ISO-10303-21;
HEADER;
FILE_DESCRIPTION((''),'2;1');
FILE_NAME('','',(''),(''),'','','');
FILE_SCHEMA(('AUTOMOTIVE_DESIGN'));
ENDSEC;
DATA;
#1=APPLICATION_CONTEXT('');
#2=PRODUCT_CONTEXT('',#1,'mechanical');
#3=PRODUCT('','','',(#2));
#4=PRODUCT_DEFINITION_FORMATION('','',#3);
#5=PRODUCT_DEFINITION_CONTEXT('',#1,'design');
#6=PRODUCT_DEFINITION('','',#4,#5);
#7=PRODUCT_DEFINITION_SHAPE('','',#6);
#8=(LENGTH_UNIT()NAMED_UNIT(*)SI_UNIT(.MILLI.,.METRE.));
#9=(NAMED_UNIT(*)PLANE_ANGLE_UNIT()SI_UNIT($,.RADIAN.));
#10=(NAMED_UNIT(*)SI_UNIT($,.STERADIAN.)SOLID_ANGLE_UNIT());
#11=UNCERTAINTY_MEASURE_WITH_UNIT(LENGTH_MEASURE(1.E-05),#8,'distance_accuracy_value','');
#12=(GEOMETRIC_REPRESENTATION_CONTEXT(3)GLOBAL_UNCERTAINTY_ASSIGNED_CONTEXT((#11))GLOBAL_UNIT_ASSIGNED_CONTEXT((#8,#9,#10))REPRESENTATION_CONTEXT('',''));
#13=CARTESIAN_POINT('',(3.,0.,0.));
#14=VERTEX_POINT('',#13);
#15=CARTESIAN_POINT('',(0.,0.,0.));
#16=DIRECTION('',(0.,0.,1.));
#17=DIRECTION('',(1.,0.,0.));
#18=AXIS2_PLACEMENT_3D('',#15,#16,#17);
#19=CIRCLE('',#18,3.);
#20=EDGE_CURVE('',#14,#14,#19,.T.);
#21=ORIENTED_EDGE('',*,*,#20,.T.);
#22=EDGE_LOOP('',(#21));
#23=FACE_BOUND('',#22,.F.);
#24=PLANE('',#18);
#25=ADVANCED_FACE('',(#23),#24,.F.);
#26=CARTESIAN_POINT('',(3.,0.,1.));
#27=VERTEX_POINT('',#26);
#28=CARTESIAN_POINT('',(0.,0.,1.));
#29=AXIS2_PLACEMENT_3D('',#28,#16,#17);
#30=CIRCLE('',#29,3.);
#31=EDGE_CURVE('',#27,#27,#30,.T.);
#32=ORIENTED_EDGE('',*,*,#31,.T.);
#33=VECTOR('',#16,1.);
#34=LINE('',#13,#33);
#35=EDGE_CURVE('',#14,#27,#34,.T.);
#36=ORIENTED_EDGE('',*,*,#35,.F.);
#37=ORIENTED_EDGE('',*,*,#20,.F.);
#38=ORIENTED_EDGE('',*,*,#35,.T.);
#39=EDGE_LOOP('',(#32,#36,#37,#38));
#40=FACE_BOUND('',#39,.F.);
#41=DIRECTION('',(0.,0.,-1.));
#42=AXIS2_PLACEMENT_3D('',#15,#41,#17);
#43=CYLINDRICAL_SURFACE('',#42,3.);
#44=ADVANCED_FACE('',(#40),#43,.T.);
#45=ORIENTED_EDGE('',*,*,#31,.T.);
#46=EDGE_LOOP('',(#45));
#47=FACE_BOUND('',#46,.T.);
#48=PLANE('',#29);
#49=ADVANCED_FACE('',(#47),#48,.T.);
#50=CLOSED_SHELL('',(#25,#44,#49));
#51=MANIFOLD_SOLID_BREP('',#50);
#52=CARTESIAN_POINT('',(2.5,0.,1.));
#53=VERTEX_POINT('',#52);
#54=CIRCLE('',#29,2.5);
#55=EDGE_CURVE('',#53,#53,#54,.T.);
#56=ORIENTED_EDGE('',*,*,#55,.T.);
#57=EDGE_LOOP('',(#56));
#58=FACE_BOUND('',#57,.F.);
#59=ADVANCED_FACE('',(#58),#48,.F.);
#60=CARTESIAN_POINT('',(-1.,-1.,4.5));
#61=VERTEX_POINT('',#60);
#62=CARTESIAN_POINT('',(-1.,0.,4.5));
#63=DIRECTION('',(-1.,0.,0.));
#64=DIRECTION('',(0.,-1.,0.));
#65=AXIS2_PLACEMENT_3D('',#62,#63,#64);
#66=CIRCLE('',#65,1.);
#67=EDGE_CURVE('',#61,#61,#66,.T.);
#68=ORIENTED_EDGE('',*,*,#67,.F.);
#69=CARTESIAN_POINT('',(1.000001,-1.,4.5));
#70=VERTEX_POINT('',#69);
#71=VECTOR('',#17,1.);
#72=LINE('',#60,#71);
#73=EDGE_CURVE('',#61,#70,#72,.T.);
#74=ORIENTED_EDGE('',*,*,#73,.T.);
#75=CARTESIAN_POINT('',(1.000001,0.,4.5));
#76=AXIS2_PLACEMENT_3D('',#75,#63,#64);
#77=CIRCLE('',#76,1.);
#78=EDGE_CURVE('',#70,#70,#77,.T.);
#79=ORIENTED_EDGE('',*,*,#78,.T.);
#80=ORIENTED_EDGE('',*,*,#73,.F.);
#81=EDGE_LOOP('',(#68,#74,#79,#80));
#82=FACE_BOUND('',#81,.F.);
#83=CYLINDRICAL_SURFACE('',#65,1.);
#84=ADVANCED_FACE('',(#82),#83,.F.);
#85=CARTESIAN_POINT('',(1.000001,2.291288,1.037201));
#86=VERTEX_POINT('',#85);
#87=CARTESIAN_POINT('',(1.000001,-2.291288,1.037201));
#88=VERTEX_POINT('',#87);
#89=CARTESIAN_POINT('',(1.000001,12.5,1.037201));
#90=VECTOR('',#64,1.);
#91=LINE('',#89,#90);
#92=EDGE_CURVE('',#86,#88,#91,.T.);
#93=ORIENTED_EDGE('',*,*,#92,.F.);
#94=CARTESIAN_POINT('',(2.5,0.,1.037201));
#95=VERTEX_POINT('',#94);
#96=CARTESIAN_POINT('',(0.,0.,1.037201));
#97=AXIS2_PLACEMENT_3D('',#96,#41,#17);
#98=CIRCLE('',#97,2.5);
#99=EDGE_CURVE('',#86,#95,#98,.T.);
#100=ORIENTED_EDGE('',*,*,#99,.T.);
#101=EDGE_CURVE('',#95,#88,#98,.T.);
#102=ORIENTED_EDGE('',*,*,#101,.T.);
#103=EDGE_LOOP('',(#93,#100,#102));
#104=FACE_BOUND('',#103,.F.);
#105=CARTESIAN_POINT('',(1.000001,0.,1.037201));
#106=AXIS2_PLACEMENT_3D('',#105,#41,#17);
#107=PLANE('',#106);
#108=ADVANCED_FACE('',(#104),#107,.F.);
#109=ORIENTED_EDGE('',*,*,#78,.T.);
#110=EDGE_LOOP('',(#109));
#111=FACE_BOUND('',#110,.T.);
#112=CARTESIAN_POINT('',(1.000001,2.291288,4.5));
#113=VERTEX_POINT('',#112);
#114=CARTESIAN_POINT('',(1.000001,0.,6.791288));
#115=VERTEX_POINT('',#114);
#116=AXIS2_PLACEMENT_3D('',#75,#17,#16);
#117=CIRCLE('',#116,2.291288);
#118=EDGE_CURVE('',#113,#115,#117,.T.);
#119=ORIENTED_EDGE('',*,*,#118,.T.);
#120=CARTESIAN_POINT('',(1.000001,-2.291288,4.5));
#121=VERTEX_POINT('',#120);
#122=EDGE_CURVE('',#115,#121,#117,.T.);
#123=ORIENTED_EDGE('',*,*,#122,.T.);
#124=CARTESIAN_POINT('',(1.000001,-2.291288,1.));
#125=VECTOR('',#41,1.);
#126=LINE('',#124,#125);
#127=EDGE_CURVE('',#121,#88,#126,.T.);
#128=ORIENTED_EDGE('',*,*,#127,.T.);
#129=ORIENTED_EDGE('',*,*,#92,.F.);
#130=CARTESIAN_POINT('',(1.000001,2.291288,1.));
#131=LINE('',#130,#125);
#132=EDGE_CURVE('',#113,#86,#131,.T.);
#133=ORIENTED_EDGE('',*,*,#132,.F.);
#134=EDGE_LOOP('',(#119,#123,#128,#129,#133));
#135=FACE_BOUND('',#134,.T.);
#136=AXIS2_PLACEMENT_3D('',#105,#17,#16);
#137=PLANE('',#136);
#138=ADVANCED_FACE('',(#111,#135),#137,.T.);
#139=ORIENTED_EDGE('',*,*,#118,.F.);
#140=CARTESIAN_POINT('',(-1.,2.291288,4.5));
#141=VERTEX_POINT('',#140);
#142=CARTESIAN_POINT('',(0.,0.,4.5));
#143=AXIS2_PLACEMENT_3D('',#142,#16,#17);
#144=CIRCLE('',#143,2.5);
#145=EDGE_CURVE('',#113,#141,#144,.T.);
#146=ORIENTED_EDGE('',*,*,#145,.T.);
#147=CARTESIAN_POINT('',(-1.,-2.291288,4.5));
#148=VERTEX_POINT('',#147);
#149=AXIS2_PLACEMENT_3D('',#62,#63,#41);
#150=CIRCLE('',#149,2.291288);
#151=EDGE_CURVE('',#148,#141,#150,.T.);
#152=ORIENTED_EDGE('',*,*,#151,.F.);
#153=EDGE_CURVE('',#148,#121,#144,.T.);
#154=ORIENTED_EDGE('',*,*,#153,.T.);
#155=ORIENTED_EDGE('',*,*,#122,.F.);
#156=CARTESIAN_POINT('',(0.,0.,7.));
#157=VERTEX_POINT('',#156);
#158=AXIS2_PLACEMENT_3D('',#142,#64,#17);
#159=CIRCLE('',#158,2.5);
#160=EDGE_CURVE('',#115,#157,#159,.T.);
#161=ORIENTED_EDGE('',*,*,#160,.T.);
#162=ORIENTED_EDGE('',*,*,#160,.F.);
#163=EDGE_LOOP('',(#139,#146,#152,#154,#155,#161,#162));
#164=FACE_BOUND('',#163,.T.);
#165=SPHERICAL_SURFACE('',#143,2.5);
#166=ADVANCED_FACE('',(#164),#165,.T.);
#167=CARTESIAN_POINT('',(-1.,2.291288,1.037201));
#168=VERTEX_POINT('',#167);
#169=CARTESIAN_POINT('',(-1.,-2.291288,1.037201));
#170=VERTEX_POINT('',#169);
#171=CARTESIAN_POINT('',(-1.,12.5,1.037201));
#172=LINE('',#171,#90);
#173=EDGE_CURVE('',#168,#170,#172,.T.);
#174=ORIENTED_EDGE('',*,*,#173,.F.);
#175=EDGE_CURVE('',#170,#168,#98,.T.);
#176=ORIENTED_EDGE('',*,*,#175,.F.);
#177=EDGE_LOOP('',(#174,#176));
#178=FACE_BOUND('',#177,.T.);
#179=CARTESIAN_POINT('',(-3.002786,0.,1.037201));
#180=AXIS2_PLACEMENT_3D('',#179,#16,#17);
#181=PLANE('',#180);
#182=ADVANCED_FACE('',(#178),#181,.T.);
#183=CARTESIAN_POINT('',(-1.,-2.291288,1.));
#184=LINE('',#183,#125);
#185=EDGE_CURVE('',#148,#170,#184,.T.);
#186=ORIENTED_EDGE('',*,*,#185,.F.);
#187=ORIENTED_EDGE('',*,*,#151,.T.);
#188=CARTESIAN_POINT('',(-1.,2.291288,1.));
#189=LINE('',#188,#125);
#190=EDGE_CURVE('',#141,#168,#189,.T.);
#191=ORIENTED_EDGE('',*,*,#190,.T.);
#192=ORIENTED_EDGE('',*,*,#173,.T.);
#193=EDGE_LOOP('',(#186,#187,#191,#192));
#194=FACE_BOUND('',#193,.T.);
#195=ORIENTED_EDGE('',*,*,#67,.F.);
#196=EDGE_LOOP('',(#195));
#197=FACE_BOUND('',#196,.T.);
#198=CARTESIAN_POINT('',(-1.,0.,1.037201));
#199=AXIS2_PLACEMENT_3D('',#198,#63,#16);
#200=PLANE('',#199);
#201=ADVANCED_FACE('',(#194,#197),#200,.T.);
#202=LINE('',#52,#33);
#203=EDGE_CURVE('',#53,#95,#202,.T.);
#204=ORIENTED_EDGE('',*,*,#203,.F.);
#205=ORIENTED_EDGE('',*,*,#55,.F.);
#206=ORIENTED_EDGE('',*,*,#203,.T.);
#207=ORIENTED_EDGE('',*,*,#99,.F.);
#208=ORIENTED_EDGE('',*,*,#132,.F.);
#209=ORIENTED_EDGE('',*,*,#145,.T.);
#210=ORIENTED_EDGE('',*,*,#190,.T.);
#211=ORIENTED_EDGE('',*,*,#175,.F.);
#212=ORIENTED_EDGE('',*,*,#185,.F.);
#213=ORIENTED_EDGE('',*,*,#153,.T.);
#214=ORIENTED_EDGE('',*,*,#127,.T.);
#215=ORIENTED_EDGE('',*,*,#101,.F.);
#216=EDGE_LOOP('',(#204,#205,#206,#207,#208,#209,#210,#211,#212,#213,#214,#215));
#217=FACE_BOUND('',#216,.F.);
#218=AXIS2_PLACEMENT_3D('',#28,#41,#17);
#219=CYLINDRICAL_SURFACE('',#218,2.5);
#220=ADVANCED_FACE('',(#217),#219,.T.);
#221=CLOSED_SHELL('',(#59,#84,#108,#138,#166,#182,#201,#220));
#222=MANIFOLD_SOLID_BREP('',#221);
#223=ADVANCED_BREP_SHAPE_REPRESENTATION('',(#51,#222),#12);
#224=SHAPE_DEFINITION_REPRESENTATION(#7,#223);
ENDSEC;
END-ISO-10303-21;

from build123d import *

# Parameters (mm, degrees)
F0_R     = 3
F1_DEPTH = 1
F2_R     = 2.5
F3_DEPTH = 6
F4_R     = 2.5
F5_W     = 2.002786
F5_H     = 9.596602
F5_W_2   = 1.770969
F6_DEPTH = 12.5
F7_R     = 1
F8_DEPTH = 4.001


with BuildPart() as f1:
    # F0 (on Top) → F1 (new body)
    with BuildSketch(Plane.XY):
        Circle(F0_R)
    extrude(amount=F1_DEPTH)


with BuildPart() as f3:
    # F2 (on face) → F3 (new body)
    with BuildSketch(Plane.XY.offset(1)):
        Circle(F2_R)
    extrude(amount=F3_DEPTH)

    # F4
    f4_edges = [f3.edges().sort_by_distance(p)[0] for p in [
        (-2.5, 0, 7),
    ]]
    fillet(f4_edges, radius=F4_R)

    # F5 (on Front) → F6 (cut, symmetric)
    with BuildSketch(Plane.XZ):
        with Locations((-2.001393, 5.835502)):
            Rectangle(F5_W, F5_H)
        with Locations((1.885485, 5.835502)):
            Rectangle(F5_W_2, F5_H)
    extrude(amount=F6_DEPTH, both=True, mode=Mode.SUBTRACT)

    # F7 (on face) → F8 (cut, through all)
    with BuildSketch(Plane(origin=(-1, 0, 0), x_dir=(0, -1, 0), z_dir=(-1, 0, 0))):
        with Locations((0, 4.5)):
            Circle(F7_R)
    extrude(amount=-F8_DEPTH, mode=Mode.SUBTRACT)


solid = Compound([f1.part, f3.part])
